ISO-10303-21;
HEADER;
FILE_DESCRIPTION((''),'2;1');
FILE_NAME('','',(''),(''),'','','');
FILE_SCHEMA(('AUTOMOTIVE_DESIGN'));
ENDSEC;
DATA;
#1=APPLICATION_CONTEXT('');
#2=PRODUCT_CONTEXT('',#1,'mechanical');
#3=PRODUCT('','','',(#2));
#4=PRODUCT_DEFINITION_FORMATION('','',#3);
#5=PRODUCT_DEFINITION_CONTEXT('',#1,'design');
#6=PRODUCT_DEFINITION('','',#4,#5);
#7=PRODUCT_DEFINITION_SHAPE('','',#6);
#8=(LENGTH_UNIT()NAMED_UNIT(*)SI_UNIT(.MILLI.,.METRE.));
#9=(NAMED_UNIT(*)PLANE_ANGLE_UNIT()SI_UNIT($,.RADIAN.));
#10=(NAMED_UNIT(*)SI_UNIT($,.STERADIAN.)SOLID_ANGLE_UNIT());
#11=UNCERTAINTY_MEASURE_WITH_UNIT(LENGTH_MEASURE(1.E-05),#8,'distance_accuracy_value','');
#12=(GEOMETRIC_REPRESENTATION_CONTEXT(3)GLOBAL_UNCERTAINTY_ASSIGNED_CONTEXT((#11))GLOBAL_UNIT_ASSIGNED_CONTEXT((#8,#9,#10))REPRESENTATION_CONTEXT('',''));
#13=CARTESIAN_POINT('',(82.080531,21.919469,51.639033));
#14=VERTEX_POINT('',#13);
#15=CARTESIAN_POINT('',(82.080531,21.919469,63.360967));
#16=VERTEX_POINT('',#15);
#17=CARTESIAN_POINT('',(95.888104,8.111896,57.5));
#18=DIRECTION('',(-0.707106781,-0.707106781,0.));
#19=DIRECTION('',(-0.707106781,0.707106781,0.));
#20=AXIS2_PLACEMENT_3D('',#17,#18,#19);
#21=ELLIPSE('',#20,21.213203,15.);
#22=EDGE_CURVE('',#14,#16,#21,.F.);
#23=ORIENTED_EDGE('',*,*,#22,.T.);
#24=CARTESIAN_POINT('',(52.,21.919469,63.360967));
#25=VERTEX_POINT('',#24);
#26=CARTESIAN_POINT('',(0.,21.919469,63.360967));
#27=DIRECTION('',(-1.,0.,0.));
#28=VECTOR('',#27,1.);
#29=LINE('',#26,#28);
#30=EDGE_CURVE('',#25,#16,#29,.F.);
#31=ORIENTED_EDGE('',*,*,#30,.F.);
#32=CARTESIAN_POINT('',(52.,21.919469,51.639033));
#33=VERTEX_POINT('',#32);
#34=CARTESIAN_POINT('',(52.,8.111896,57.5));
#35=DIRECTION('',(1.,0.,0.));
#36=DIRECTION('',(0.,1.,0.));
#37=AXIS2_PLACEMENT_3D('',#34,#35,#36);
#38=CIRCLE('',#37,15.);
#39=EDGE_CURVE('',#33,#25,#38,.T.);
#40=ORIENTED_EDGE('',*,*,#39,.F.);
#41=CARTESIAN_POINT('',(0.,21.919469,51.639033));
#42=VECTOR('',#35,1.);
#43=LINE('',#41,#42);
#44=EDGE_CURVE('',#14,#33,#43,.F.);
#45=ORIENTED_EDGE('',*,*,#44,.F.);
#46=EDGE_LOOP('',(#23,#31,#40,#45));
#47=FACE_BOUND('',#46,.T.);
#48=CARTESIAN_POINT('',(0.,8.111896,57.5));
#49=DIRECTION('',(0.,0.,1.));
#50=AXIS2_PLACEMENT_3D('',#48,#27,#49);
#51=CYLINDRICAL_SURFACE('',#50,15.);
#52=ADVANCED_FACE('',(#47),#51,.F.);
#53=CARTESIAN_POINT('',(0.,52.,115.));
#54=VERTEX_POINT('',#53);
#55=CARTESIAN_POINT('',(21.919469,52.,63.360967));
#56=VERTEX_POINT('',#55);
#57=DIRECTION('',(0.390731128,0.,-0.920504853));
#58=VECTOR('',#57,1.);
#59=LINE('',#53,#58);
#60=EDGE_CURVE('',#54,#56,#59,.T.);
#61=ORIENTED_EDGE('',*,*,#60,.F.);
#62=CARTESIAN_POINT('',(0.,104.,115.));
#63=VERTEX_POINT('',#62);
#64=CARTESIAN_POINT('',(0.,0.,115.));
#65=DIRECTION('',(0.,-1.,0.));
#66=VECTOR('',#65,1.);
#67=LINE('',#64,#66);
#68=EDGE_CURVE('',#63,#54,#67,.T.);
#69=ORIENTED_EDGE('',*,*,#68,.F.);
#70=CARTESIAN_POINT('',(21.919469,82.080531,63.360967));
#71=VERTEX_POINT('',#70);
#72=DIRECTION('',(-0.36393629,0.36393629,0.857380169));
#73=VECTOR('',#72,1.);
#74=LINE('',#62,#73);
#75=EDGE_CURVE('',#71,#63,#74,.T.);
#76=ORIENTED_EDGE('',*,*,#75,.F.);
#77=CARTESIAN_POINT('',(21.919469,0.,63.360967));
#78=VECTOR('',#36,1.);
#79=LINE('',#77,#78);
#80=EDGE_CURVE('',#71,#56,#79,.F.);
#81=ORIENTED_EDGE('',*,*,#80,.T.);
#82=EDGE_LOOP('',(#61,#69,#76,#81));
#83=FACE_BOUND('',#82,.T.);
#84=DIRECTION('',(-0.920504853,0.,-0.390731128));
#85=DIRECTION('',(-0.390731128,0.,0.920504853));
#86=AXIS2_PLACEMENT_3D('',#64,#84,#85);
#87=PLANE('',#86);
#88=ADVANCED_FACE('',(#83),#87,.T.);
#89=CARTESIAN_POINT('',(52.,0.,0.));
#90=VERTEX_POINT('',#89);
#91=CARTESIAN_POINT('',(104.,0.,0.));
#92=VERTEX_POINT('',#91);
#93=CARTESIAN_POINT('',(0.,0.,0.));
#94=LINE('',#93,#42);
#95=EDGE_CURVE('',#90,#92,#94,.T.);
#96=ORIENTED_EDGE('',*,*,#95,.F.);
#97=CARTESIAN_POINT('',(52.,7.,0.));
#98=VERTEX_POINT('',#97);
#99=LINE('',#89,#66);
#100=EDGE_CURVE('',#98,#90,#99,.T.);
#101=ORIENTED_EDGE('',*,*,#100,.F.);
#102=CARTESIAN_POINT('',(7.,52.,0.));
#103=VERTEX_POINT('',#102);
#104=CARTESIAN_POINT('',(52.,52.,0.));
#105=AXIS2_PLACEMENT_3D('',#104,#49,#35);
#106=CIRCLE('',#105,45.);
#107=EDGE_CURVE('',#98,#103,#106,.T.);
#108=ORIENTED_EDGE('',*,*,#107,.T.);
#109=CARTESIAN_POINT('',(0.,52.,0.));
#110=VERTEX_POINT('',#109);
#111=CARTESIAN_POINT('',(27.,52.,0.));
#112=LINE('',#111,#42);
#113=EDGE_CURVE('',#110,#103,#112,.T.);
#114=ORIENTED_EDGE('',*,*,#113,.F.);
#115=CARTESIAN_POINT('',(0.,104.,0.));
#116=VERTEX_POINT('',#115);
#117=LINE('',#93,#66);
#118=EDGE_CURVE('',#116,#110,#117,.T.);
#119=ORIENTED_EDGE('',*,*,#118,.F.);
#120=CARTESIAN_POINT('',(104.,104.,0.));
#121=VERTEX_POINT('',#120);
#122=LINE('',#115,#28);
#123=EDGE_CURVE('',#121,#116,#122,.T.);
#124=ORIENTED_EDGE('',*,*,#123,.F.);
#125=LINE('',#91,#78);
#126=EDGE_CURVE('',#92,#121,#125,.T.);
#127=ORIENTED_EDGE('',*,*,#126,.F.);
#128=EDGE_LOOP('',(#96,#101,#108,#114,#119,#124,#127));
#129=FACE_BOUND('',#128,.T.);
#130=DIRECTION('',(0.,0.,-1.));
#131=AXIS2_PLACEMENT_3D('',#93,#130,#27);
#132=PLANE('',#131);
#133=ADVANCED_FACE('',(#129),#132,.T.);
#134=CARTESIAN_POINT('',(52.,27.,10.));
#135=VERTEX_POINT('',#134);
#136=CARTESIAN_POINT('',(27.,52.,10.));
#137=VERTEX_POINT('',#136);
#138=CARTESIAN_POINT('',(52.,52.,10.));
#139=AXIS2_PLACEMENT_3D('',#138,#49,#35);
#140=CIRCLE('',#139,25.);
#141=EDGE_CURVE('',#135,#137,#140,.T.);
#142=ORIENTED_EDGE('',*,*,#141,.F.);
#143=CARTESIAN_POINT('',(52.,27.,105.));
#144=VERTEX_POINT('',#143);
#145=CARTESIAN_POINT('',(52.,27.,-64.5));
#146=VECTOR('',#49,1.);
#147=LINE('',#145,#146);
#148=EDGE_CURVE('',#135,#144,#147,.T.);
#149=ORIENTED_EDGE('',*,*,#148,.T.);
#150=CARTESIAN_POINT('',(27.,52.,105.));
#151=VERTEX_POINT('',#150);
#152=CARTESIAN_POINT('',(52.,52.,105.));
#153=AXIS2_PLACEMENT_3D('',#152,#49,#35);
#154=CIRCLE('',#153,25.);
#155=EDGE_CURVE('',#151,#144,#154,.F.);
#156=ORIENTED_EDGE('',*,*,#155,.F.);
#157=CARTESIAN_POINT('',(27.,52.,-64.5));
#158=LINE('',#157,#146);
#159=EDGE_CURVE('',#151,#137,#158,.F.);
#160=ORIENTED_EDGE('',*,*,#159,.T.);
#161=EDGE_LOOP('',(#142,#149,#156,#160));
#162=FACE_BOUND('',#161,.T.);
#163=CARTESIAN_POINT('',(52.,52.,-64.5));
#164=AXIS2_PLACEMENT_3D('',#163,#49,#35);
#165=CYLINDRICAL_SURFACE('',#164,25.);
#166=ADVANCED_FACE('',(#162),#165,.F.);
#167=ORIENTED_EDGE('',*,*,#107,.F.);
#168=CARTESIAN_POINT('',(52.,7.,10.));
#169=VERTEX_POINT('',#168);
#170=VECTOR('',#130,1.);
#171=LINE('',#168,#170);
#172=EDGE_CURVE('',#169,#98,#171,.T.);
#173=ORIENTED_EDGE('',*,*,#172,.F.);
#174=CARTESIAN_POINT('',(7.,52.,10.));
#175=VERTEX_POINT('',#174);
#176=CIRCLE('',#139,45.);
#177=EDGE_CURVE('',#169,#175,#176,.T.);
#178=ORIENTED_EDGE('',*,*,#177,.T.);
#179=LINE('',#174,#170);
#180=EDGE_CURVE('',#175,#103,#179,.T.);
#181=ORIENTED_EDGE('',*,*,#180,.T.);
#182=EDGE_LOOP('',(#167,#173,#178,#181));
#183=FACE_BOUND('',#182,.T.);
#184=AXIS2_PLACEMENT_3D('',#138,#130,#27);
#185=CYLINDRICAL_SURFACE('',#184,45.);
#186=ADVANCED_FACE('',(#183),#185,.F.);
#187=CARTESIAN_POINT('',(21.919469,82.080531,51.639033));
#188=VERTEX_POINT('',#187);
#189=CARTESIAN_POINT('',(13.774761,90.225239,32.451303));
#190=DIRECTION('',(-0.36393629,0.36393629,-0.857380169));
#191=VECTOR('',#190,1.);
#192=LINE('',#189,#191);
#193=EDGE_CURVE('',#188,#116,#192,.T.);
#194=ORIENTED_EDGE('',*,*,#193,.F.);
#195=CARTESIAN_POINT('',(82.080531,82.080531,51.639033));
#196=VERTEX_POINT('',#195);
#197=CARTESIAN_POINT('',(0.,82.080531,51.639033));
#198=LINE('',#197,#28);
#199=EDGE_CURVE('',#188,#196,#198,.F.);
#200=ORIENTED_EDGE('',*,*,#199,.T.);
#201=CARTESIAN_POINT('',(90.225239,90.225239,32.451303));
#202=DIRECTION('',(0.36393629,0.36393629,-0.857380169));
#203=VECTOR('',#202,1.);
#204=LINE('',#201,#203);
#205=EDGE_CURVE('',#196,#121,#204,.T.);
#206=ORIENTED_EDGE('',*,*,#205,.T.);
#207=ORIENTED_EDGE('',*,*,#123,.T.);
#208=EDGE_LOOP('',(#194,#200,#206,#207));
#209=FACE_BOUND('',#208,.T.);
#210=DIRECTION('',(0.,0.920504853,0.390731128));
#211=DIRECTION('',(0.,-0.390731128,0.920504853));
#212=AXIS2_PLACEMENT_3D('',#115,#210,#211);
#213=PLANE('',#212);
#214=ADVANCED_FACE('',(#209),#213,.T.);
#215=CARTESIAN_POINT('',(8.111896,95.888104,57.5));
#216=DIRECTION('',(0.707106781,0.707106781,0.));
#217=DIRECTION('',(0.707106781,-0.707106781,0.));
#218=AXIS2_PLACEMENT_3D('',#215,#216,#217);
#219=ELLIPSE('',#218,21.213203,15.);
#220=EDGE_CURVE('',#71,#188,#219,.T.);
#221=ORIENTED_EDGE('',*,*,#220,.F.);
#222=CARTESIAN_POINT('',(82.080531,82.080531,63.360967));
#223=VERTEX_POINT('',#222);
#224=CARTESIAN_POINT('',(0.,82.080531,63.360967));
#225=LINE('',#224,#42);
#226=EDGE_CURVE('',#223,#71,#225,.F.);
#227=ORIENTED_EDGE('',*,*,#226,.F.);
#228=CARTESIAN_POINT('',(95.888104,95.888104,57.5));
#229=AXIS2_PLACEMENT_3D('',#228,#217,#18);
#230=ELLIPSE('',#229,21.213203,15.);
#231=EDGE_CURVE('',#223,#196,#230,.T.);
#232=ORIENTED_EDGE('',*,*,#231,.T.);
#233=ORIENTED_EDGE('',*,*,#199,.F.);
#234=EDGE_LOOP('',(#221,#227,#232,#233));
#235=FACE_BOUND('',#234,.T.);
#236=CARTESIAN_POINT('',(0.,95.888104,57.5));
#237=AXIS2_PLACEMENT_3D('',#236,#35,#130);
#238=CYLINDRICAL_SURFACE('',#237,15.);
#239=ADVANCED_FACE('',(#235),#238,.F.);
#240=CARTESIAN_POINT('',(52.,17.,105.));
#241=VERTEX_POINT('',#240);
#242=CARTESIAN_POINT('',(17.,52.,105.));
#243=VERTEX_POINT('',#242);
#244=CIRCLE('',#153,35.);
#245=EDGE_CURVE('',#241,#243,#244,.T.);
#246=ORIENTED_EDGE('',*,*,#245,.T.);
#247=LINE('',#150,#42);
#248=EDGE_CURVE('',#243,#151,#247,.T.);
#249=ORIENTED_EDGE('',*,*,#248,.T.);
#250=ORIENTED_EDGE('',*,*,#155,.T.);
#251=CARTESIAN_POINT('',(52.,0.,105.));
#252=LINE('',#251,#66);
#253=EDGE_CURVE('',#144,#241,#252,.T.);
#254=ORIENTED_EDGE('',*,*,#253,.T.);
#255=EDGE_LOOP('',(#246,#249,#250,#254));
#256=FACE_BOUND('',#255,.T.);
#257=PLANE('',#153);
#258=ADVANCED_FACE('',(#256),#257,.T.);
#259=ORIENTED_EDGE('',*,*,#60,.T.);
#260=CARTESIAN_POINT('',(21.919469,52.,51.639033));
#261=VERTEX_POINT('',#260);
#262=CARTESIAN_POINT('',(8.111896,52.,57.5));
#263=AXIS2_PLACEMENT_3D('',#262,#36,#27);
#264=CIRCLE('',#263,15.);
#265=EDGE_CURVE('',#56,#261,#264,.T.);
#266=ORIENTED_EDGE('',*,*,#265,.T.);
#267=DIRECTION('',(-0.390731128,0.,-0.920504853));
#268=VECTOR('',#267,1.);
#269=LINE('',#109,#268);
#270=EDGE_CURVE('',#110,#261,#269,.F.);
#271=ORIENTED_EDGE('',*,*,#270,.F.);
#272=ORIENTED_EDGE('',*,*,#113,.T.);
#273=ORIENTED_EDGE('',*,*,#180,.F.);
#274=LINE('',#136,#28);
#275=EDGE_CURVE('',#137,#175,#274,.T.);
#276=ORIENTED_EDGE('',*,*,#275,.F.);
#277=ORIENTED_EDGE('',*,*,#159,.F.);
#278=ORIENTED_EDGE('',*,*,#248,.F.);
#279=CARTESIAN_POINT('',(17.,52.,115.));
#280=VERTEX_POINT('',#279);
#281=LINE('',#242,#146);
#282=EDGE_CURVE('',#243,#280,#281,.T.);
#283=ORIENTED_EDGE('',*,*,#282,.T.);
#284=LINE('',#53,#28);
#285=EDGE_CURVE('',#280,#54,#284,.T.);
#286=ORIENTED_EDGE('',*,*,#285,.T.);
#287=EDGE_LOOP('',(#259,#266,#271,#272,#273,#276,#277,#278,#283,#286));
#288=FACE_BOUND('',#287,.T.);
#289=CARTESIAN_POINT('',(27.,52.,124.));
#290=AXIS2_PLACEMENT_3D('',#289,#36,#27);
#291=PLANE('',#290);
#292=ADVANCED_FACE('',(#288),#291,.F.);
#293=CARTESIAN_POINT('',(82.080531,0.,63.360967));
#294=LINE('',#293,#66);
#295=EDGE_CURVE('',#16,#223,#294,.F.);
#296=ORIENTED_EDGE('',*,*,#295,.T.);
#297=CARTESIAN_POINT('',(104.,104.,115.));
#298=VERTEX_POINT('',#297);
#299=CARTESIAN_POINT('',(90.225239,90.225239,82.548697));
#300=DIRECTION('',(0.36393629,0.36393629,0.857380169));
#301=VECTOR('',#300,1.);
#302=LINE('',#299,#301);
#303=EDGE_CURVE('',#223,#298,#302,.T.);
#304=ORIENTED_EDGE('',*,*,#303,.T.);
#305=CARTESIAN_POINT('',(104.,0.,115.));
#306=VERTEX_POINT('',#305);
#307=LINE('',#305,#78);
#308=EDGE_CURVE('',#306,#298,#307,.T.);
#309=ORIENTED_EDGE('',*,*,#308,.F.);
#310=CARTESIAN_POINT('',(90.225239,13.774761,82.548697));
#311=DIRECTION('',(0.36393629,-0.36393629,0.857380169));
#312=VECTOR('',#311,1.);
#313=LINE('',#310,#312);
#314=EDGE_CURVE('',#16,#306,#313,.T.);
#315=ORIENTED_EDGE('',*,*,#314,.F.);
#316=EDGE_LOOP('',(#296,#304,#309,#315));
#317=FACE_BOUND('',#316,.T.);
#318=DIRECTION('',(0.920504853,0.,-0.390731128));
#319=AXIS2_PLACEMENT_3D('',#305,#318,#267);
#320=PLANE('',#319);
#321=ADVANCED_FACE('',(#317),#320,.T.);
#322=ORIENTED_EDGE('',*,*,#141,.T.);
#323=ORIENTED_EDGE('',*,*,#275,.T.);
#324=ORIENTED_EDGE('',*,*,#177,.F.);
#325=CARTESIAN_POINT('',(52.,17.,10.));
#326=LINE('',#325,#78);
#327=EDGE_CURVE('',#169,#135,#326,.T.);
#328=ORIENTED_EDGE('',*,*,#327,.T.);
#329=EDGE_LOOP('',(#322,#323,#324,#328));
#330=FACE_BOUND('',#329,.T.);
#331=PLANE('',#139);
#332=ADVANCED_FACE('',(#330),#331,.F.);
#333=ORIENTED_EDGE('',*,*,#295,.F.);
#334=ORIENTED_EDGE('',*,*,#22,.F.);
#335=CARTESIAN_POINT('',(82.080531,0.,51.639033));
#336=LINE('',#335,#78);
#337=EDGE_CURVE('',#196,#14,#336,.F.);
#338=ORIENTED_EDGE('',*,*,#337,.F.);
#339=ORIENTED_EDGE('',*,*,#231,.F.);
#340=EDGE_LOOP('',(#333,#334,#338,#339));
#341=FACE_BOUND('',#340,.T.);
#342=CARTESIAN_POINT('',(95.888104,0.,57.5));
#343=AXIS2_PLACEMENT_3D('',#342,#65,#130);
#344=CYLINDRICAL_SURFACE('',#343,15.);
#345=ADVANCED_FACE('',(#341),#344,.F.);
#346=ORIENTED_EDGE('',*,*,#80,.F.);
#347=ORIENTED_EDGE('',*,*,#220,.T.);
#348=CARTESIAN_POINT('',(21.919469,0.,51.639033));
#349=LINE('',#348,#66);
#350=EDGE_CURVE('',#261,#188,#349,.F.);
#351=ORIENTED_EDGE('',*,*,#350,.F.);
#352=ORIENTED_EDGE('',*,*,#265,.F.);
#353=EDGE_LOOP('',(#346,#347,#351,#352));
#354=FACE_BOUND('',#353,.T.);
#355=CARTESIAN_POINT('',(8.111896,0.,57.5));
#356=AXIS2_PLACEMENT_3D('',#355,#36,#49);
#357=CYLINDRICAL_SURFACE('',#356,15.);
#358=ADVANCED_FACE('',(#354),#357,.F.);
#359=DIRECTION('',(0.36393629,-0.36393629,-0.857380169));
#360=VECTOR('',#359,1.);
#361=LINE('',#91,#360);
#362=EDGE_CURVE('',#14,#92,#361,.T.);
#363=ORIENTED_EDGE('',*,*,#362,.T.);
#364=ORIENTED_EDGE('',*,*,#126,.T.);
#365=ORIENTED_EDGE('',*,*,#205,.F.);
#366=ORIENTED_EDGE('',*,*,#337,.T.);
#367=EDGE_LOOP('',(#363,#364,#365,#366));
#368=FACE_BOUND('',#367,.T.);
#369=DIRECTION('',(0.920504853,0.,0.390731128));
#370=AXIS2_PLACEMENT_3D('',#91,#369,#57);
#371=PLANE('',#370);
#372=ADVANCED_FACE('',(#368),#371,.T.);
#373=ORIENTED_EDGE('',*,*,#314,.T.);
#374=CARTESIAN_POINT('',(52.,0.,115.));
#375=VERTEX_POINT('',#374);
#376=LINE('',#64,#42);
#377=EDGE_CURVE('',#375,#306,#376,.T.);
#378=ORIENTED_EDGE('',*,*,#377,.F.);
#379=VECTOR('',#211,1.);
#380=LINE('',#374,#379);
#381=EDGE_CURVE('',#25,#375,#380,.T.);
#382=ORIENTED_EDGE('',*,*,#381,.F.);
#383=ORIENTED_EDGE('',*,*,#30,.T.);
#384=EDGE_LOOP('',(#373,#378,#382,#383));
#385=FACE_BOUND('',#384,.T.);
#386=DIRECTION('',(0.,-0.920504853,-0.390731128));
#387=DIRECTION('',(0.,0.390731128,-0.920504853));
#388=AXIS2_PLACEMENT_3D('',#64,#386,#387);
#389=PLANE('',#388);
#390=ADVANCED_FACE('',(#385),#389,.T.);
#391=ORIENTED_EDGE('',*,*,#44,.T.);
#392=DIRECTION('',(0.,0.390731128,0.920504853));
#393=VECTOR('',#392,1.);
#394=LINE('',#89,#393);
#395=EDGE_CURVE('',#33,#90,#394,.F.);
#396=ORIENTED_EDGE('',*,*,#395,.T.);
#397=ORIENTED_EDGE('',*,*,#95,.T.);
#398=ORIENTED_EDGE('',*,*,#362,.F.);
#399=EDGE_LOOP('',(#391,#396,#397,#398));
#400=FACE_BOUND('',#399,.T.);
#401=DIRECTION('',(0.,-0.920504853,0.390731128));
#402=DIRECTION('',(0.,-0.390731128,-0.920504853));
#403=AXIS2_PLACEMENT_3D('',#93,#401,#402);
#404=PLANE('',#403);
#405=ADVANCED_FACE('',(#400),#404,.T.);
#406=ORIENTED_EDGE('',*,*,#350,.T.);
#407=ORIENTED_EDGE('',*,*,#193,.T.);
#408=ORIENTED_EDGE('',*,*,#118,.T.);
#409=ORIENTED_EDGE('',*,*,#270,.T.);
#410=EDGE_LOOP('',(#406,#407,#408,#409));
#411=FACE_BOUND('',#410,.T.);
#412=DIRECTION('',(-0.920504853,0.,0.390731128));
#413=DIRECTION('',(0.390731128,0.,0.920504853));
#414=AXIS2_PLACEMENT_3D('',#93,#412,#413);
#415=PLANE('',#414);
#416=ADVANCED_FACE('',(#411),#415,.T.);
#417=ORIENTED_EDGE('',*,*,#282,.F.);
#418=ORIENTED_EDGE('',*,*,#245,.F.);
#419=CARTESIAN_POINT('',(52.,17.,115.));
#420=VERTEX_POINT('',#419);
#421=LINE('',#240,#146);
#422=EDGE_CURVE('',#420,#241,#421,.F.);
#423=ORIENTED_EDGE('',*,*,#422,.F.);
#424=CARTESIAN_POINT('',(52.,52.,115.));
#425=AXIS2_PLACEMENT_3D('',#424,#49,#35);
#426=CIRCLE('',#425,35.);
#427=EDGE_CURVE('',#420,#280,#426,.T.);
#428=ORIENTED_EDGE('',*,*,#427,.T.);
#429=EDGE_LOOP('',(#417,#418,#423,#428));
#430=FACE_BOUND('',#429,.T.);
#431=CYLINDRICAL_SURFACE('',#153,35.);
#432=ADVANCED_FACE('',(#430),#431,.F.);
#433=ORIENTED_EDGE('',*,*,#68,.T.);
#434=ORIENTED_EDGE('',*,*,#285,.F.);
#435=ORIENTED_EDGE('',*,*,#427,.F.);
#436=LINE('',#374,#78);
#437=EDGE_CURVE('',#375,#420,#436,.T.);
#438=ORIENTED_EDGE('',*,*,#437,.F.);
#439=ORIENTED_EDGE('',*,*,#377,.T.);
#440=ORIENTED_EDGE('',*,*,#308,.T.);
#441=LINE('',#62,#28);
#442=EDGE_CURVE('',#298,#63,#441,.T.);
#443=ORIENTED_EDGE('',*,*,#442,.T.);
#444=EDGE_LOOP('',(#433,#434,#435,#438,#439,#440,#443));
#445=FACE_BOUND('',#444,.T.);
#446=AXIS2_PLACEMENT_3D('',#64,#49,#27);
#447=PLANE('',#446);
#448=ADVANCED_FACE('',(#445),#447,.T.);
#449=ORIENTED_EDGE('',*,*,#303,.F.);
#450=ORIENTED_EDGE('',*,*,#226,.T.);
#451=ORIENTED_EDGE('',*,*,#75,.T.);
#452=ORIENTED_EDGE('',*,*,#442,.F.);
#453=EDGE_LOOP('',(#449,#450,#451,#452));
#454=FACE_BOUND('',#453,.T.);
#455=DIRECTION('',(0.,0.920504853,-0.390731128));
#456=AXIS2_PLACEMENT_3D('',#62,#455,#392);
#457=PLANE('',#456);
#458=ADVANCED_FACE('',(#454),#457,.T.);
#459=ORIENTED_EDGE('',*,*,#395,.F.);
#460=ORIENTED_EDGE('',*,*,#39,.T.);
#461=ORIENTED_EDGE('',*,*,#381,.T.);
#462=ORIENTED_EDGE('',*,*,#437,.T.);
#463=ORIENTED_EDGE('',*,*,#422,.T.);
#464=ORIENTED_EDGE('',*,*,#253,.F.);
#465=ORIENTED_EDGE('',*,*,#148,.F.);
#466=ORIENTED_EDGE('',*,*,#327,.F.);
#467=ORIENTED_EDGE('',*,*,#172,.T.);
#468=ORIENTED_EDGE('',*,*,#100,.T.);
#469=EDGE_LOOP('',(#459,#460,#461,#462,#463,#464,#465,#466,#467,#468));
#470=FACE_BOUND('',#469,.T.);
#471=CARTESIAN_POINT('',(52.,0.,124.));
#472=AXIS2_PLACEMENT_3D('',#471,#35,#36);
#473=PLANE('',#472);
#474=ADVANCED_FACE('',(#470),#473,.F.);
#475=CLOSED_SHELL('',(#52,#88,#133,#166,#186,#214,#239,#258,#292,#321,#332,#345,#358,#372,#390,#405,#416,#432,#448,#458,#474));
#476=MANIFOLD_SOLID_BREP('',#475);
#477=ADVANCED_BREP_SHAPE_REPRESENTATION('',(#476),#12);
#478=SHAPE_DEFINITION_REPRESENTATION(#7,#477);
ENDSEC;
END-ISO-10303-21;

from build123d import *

# Parameters (mm, degrees)
SKETCH4_W               = 104
SKETCH4_H               = 104
BOSS_EXTRUDE2_DEPTH     = 57.5
BOSS_EXTRUDE2_TAPER     = 23
SKETCH6_R               = 25
CUT_EXTRUDE1_DEPTH      = 179.5
CUT_EXTRUDE_THIN1_START = 10
CUT_EXTRUDE_THIN1_DEPTH = 10
CUT_EXTRUDE3_DEPTH      = 124
SKETCH10_R              = 35
CUT_EXTRUDE4_DEPTH      = 10
FILLET9_R               = 15
FILLET10_R              = 15


with BuildPart() as part:
    # Sketch4 → Boss-Extrude2 (new body)
    with BuildSketch(Plane.XY):
        with Locations((52, 52)):
            Rectangle(SKETCH4_W, SKETCH4_H)
    boss_extrude2 = extrude(amount=BOSS_EXTRUDE2_DEPTH, taper=BOSS_EXTRUDE2_TAPER)

    # Mirror2: Boss-Extrude2 across plane
    add(boss_extrude2.mirror(Plane(origin=(0, 0, 57.5), x_dir=(1, 0, 0), z_dir=(0, 0, -1))))

    # Sketch6 → Cut-Extrude1 (cut)
    with BuildSketch(Plane.XY.offset(115)):
        with Locations((52, 52)):
            Circle(SKETCH6_R)
    extrude(amount=-CUT_EXTRUDE1_DEPTH, mode=Mode.SUBTRACT)

    # Sketch8 → Cut-Extrude-Thin1 (cut)
    with BuildSketch(Plane.XY.offset(CUT_EXTRUDE_THIN1_START)):
        with BuildLine():
            ThreePointArc((52, 17), (76.748737342, 76.748737342), (17, 52))
            Line((17, 52), (7, 52))
            ThreePointArc((7, 52), (83.819805153, 83.819805153), (52, 7))
            Line((52, 7), (52, 17))
        make_face()
        with BuildLine():
            ThreePointArc((52, 27), (69.67766953, 69.67766953), (27, 52))
            Line((27, 52), (17, 52))
            ThreePointArc((17, 52), (76.748737342, 76.748737342), (52, 17))
            Line((52, 17), (52, 27))
        make_face()
    extrude(amount=-CUT_EXTRUDE_THIN1_DEPTH, mode=Mode.SUBTRACT)

    # Sketch9 → Cut-Extrude3 (cut)
    with BuildSketch(Plane(origin=(0, 0, 0), x_dir=(-1, 0, 0), z_dir=(0, 0, -1))):
        Polygon((-27, 52), (0, 52), (0, 0), (-52, 0), (-52, 27), (-52, 52), align=None)
    extrude(amount=-CUT_EXTRUDE3_DEPTH, mode=Mode.SUBTRACT)

    # Sketch10 → Cut-Extrude4 (cut)
    with BuildSketch(Plane.XY.offset(115)):
        with Locations((52, 52)):
            Circle(SKETCH10_R)
    extrude(amount=-CUT_EXTRUDE4_DEPTH, mode=Mode.SUBTRACT)

    # Fillet9
    fillet9_edges = [part.edges().sort_by_distance(p)[0] for p in [
        (65.796349034, 24.407301932, 57.5),
    ]]
    fillet(fillet9_edges, radius=FILLET9_R)

    # Fillet10
    fillet10_edges = [part.edges().sort_by_distance(p)[0] for p in [
        (24.407301932, 65.796349034, 57.5),
        (52, 79.592698068, 57.5),
        (79.592698068, 51.352297169, 57.5),
    ]]
    fillet(fillet10_edges, radius=FILLET10_R)


solid = part.part
